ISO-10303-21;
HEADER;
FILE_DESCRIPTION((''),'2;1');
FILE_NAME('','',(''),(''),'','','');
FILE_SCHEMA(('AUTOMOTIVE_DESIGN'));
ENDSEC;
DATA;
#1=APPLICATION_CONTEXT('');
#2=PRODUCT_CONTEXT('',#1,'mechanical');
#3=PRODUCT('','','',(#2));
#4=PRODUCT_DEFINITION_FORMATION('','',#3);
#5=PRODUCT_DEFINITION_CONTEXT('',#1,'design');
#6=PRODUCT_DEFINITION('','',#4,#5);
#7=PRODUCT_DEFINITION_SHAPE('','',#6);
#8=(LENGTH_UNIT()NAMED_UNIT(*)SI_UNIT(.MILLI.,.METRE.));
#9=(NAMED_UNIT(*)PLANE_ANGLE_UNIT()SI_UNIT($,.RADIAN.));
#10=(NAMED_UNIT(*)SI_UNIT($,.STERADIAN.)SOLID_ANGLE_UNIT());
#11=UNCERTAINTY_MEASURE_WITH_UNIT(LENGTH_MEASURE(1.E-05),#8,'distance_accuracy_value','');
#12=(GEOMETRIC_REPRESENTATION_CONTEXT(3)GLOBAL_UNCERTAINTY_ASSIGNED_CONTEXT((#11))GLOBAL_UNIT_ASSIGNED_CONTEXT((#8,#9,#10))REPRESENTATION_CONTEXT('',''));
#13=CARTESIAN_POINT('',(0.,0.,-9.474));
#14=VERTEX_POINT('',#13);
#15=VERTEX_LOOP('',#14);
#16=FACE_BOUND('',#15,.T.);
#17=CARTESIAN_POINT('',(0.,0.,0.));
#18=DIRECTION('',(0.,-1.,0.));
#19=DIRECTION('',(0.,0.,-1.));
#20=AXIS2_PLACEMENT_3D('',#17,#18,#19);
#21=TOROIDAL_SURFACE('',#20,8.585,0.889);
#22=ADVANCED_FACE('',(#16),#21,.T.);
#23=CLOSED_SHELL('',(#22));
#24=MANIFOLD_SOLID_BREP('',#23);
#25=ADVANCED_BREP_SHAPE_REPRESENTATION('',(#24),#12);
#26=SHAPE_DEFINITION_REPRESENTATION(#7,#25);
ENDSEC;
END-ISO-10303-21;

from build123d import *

# Parameters (mm, degrees)
SKETCH1_R = 0.889


with BuildPart() as part:
    # Sketch1 → Revolve1 (revolve)
    with BuildSketch(Plane.XY):
        with Locations((-8.585, 0)):
            Circle(SKETCH1_R)
    revolve(axis=Axis((0, 0, 0), (0, 1, 0)))


solid = part.part
